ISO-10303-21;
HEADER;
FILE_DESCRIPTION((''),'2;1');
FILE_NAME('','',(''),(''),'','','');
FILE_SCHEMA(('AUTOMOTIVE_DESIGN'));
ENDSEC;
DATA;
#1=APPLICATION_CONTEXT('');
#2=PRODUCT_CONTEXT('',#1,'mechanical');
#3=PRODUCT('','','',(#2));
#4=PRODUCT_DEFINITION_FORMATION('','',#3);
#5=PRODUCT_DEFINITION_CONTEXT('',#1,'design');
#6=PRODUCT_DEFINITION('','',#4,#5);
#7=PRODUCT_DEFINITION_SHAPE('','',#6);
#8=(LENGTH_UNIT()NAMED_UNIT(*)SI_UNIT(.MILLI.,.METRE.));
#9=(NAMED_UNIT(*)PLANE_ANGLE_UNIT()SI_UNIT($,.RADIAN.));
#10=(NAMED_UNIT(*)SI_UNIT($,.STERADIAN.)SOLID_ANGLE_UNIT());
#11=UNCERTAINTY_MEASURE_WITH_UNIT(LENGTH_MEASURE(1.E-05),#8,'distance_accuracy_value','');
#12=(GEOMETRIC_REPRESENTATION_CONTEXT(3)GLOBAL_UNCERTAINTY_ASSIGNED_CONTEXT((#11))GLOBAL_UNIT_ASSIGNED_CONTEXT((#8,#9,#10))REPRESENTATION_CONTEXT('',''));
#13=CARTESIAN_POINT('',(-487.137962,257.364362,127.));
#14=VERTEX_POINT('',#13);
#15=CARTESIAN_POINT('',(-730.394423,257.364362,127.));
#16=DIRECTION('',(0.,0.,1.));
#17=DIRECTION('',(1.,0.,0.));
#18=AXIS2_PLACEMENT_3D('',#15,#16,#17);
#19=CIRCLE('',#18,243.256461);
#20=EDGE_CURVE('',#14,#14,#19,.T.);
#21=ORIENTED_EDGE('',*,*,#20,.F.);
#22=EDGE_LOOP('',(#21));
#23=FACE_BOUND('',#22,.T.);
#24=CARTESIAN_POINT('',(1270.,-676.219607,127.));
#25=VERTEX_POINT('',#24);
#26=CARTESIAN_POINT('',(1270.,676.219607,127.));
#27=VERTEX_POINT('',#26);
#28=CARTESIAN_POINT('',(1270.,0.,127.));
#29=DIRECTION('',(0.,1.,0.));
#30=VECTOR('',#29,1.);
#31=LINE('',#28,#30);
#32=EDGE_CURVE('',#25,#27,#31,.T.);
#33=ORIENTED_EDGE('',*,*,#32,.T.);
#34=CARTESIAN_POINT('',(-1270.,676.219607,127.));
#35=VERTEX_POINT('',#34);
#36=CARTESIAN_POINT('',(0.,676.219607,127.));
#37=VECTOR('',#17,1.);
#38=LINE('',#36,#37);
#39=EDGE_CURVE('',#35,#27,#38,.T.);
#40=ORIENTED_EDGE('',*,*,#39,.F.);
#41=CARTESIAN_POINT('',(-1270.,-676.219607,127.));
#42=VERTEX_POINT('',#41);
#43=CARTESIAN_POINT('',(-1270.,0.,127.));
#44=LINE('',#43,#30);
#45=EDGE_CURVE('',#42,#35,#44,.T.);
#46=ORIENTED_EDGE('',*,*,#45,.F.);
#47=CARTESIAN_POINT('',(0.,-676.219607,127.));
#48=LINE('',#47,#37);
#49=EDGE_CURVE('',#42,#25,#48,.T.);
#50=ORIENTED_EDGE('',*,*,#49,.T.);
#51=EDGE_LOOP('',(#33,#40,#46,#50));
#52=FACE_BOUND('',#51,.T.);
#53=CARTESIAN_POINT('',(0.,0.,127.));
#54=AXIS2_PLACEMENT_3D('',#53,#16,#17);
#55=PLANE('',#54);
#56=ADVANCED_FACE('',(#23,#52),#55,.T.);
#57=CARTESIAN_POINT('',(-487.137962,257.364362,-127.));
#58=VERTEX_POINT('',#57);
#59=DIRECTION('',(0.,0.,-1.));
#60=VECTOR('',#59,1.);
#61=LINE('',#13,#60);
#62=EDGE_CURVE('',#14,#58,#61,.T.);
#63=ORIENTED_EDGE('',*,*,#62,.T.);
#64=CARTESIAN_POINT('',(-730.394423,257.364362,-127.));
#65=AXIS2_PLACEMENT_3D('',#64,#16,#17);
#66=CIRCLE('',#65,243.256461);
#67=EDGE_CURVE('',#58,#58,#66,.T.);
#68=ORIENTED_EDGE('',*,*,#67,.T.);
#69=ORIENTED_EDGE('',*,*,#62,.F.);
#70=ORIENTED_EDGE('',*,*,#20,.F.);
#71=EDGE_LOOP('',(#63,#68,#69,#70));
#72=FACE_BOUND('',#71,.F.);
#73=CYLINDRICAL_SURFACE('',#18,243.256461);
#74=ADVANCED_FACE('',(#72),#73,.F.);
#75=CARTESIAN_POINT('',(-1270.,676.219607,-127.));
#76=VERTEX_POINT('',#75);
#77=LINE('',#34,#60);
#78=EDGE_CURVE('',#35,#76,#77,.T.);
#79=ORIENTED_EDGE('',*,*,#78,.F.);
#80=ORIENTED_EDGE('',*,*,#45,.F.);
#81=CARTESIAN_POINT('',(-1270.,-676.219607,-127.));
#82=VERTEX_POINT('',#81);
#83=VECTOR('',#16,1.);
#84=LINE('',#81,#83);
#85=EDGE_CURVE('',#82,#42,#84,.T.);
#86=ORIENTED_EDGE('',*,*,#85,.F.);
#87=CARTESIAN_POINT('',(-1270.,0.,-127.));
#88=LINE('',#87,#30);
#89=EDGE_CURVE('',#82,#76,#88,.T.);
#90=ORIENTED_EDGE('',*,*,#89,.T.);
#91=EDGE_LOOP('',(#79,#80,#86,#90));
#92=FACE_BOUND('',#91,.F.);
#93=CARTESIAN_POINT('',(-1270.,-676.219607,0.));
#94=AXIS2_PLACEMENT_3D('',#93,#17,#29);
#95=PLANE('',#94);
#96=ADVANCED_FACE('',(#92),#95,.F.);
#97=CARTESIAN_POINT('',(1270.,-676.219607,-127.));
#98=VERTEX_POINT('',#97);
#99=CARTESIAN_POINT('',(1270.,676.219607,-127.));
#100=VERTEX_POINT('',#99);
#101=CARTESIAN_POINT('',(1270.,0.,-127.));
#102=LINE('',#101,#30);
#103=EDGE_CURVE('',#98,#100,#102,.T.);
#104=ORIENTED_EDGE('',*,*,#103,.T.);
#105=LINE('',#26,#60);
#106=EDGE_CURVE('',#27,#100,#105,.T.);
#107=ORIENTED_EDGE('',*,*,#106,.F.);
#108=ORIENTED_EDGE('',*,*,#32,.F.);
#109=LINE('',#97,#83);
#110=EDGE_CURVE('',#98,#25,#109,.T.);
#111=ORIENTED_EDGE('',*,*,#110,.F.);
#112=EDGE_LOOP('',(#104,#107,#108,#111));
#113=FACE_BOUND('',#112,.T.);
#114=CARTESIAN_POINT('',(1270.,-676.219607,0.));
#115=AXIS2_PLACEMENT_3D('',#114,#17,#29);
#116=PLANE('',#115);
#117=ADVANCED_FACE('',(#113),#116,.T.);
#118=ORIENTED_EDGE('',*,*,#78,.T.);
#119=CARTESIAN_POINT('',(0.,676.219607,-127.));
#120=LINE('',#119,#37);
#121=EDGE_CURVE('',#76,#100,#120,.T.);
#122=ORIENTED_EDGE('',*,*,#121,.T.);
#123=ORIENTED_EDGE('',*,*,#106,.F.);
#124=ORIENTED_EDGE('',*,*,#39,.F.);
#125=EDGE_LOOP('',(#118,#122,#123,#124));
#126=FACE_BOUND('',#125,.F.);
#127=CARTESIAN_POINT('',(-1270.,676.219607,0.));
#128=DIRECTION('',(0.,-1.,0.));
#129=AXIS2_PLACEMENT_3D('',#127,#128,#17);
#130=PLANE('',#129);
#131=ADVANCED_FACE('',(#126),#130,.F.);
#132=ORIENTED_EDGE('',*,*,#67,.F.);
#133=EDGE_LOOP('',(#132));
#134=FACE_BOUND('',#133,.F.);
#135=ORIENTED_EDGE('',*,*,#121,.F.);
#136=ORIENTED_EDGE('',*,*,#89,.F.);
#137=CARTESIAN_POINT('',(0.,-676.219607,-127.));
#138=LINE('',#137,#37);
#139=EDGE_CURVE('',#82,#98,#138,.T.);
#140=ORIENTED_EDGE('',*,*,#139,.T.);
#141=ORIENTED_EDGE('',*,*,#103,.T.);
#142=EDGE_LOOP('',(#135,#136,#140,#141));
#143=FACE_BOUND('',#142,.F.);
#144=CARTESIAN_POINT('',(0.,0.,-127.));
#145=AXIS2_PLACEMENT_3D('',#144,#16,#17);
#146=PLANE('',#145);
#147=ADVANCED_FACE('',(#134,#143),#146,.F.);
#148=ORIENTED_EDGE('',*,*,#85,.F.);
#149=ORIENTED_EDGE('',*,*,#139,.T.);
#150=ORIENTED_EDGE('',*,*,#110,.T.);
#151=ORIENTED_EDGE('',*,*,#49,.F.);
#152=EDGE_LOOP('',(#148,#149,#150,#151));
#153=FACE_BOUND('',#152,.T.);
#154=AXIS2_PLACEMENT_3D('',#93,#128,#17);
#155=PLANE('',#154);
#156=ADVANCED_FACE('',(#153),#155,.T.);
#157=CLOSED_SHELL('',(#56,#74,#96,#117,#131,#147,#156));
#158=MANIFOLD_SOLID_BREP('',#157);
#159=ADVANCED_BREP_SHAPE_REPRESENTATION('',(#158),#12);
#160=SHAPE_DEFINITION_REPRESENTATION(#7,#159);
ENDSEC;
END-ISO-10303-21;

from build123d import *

# Parameters (mm, degrees)
F0_W     = 2540
F0_H     = 1352.439214
F1_DEPTH = 127
F2_R     = 243.256461
F3_DEPTH = 254.001


with BuildPart() as f1:
    # F0 (on Top) → F1 (new body, symmetric)
    with BuildSketch(Plane.XY):
        Rectangle(F0_W, F0_H)
    extrude(amount=F1_DEPTH, both=True)

    # F2 (on face) → F3 (cut, through all)
    with BuildSketch(Plane.XY.offset(127)):
        with Locations((-730.394423, 257.364362)):
            Circle(F2_R)
    extrude(amount=-F3_DEPTH, mode=Mode.SUBTRACT)


solid = f1.part
